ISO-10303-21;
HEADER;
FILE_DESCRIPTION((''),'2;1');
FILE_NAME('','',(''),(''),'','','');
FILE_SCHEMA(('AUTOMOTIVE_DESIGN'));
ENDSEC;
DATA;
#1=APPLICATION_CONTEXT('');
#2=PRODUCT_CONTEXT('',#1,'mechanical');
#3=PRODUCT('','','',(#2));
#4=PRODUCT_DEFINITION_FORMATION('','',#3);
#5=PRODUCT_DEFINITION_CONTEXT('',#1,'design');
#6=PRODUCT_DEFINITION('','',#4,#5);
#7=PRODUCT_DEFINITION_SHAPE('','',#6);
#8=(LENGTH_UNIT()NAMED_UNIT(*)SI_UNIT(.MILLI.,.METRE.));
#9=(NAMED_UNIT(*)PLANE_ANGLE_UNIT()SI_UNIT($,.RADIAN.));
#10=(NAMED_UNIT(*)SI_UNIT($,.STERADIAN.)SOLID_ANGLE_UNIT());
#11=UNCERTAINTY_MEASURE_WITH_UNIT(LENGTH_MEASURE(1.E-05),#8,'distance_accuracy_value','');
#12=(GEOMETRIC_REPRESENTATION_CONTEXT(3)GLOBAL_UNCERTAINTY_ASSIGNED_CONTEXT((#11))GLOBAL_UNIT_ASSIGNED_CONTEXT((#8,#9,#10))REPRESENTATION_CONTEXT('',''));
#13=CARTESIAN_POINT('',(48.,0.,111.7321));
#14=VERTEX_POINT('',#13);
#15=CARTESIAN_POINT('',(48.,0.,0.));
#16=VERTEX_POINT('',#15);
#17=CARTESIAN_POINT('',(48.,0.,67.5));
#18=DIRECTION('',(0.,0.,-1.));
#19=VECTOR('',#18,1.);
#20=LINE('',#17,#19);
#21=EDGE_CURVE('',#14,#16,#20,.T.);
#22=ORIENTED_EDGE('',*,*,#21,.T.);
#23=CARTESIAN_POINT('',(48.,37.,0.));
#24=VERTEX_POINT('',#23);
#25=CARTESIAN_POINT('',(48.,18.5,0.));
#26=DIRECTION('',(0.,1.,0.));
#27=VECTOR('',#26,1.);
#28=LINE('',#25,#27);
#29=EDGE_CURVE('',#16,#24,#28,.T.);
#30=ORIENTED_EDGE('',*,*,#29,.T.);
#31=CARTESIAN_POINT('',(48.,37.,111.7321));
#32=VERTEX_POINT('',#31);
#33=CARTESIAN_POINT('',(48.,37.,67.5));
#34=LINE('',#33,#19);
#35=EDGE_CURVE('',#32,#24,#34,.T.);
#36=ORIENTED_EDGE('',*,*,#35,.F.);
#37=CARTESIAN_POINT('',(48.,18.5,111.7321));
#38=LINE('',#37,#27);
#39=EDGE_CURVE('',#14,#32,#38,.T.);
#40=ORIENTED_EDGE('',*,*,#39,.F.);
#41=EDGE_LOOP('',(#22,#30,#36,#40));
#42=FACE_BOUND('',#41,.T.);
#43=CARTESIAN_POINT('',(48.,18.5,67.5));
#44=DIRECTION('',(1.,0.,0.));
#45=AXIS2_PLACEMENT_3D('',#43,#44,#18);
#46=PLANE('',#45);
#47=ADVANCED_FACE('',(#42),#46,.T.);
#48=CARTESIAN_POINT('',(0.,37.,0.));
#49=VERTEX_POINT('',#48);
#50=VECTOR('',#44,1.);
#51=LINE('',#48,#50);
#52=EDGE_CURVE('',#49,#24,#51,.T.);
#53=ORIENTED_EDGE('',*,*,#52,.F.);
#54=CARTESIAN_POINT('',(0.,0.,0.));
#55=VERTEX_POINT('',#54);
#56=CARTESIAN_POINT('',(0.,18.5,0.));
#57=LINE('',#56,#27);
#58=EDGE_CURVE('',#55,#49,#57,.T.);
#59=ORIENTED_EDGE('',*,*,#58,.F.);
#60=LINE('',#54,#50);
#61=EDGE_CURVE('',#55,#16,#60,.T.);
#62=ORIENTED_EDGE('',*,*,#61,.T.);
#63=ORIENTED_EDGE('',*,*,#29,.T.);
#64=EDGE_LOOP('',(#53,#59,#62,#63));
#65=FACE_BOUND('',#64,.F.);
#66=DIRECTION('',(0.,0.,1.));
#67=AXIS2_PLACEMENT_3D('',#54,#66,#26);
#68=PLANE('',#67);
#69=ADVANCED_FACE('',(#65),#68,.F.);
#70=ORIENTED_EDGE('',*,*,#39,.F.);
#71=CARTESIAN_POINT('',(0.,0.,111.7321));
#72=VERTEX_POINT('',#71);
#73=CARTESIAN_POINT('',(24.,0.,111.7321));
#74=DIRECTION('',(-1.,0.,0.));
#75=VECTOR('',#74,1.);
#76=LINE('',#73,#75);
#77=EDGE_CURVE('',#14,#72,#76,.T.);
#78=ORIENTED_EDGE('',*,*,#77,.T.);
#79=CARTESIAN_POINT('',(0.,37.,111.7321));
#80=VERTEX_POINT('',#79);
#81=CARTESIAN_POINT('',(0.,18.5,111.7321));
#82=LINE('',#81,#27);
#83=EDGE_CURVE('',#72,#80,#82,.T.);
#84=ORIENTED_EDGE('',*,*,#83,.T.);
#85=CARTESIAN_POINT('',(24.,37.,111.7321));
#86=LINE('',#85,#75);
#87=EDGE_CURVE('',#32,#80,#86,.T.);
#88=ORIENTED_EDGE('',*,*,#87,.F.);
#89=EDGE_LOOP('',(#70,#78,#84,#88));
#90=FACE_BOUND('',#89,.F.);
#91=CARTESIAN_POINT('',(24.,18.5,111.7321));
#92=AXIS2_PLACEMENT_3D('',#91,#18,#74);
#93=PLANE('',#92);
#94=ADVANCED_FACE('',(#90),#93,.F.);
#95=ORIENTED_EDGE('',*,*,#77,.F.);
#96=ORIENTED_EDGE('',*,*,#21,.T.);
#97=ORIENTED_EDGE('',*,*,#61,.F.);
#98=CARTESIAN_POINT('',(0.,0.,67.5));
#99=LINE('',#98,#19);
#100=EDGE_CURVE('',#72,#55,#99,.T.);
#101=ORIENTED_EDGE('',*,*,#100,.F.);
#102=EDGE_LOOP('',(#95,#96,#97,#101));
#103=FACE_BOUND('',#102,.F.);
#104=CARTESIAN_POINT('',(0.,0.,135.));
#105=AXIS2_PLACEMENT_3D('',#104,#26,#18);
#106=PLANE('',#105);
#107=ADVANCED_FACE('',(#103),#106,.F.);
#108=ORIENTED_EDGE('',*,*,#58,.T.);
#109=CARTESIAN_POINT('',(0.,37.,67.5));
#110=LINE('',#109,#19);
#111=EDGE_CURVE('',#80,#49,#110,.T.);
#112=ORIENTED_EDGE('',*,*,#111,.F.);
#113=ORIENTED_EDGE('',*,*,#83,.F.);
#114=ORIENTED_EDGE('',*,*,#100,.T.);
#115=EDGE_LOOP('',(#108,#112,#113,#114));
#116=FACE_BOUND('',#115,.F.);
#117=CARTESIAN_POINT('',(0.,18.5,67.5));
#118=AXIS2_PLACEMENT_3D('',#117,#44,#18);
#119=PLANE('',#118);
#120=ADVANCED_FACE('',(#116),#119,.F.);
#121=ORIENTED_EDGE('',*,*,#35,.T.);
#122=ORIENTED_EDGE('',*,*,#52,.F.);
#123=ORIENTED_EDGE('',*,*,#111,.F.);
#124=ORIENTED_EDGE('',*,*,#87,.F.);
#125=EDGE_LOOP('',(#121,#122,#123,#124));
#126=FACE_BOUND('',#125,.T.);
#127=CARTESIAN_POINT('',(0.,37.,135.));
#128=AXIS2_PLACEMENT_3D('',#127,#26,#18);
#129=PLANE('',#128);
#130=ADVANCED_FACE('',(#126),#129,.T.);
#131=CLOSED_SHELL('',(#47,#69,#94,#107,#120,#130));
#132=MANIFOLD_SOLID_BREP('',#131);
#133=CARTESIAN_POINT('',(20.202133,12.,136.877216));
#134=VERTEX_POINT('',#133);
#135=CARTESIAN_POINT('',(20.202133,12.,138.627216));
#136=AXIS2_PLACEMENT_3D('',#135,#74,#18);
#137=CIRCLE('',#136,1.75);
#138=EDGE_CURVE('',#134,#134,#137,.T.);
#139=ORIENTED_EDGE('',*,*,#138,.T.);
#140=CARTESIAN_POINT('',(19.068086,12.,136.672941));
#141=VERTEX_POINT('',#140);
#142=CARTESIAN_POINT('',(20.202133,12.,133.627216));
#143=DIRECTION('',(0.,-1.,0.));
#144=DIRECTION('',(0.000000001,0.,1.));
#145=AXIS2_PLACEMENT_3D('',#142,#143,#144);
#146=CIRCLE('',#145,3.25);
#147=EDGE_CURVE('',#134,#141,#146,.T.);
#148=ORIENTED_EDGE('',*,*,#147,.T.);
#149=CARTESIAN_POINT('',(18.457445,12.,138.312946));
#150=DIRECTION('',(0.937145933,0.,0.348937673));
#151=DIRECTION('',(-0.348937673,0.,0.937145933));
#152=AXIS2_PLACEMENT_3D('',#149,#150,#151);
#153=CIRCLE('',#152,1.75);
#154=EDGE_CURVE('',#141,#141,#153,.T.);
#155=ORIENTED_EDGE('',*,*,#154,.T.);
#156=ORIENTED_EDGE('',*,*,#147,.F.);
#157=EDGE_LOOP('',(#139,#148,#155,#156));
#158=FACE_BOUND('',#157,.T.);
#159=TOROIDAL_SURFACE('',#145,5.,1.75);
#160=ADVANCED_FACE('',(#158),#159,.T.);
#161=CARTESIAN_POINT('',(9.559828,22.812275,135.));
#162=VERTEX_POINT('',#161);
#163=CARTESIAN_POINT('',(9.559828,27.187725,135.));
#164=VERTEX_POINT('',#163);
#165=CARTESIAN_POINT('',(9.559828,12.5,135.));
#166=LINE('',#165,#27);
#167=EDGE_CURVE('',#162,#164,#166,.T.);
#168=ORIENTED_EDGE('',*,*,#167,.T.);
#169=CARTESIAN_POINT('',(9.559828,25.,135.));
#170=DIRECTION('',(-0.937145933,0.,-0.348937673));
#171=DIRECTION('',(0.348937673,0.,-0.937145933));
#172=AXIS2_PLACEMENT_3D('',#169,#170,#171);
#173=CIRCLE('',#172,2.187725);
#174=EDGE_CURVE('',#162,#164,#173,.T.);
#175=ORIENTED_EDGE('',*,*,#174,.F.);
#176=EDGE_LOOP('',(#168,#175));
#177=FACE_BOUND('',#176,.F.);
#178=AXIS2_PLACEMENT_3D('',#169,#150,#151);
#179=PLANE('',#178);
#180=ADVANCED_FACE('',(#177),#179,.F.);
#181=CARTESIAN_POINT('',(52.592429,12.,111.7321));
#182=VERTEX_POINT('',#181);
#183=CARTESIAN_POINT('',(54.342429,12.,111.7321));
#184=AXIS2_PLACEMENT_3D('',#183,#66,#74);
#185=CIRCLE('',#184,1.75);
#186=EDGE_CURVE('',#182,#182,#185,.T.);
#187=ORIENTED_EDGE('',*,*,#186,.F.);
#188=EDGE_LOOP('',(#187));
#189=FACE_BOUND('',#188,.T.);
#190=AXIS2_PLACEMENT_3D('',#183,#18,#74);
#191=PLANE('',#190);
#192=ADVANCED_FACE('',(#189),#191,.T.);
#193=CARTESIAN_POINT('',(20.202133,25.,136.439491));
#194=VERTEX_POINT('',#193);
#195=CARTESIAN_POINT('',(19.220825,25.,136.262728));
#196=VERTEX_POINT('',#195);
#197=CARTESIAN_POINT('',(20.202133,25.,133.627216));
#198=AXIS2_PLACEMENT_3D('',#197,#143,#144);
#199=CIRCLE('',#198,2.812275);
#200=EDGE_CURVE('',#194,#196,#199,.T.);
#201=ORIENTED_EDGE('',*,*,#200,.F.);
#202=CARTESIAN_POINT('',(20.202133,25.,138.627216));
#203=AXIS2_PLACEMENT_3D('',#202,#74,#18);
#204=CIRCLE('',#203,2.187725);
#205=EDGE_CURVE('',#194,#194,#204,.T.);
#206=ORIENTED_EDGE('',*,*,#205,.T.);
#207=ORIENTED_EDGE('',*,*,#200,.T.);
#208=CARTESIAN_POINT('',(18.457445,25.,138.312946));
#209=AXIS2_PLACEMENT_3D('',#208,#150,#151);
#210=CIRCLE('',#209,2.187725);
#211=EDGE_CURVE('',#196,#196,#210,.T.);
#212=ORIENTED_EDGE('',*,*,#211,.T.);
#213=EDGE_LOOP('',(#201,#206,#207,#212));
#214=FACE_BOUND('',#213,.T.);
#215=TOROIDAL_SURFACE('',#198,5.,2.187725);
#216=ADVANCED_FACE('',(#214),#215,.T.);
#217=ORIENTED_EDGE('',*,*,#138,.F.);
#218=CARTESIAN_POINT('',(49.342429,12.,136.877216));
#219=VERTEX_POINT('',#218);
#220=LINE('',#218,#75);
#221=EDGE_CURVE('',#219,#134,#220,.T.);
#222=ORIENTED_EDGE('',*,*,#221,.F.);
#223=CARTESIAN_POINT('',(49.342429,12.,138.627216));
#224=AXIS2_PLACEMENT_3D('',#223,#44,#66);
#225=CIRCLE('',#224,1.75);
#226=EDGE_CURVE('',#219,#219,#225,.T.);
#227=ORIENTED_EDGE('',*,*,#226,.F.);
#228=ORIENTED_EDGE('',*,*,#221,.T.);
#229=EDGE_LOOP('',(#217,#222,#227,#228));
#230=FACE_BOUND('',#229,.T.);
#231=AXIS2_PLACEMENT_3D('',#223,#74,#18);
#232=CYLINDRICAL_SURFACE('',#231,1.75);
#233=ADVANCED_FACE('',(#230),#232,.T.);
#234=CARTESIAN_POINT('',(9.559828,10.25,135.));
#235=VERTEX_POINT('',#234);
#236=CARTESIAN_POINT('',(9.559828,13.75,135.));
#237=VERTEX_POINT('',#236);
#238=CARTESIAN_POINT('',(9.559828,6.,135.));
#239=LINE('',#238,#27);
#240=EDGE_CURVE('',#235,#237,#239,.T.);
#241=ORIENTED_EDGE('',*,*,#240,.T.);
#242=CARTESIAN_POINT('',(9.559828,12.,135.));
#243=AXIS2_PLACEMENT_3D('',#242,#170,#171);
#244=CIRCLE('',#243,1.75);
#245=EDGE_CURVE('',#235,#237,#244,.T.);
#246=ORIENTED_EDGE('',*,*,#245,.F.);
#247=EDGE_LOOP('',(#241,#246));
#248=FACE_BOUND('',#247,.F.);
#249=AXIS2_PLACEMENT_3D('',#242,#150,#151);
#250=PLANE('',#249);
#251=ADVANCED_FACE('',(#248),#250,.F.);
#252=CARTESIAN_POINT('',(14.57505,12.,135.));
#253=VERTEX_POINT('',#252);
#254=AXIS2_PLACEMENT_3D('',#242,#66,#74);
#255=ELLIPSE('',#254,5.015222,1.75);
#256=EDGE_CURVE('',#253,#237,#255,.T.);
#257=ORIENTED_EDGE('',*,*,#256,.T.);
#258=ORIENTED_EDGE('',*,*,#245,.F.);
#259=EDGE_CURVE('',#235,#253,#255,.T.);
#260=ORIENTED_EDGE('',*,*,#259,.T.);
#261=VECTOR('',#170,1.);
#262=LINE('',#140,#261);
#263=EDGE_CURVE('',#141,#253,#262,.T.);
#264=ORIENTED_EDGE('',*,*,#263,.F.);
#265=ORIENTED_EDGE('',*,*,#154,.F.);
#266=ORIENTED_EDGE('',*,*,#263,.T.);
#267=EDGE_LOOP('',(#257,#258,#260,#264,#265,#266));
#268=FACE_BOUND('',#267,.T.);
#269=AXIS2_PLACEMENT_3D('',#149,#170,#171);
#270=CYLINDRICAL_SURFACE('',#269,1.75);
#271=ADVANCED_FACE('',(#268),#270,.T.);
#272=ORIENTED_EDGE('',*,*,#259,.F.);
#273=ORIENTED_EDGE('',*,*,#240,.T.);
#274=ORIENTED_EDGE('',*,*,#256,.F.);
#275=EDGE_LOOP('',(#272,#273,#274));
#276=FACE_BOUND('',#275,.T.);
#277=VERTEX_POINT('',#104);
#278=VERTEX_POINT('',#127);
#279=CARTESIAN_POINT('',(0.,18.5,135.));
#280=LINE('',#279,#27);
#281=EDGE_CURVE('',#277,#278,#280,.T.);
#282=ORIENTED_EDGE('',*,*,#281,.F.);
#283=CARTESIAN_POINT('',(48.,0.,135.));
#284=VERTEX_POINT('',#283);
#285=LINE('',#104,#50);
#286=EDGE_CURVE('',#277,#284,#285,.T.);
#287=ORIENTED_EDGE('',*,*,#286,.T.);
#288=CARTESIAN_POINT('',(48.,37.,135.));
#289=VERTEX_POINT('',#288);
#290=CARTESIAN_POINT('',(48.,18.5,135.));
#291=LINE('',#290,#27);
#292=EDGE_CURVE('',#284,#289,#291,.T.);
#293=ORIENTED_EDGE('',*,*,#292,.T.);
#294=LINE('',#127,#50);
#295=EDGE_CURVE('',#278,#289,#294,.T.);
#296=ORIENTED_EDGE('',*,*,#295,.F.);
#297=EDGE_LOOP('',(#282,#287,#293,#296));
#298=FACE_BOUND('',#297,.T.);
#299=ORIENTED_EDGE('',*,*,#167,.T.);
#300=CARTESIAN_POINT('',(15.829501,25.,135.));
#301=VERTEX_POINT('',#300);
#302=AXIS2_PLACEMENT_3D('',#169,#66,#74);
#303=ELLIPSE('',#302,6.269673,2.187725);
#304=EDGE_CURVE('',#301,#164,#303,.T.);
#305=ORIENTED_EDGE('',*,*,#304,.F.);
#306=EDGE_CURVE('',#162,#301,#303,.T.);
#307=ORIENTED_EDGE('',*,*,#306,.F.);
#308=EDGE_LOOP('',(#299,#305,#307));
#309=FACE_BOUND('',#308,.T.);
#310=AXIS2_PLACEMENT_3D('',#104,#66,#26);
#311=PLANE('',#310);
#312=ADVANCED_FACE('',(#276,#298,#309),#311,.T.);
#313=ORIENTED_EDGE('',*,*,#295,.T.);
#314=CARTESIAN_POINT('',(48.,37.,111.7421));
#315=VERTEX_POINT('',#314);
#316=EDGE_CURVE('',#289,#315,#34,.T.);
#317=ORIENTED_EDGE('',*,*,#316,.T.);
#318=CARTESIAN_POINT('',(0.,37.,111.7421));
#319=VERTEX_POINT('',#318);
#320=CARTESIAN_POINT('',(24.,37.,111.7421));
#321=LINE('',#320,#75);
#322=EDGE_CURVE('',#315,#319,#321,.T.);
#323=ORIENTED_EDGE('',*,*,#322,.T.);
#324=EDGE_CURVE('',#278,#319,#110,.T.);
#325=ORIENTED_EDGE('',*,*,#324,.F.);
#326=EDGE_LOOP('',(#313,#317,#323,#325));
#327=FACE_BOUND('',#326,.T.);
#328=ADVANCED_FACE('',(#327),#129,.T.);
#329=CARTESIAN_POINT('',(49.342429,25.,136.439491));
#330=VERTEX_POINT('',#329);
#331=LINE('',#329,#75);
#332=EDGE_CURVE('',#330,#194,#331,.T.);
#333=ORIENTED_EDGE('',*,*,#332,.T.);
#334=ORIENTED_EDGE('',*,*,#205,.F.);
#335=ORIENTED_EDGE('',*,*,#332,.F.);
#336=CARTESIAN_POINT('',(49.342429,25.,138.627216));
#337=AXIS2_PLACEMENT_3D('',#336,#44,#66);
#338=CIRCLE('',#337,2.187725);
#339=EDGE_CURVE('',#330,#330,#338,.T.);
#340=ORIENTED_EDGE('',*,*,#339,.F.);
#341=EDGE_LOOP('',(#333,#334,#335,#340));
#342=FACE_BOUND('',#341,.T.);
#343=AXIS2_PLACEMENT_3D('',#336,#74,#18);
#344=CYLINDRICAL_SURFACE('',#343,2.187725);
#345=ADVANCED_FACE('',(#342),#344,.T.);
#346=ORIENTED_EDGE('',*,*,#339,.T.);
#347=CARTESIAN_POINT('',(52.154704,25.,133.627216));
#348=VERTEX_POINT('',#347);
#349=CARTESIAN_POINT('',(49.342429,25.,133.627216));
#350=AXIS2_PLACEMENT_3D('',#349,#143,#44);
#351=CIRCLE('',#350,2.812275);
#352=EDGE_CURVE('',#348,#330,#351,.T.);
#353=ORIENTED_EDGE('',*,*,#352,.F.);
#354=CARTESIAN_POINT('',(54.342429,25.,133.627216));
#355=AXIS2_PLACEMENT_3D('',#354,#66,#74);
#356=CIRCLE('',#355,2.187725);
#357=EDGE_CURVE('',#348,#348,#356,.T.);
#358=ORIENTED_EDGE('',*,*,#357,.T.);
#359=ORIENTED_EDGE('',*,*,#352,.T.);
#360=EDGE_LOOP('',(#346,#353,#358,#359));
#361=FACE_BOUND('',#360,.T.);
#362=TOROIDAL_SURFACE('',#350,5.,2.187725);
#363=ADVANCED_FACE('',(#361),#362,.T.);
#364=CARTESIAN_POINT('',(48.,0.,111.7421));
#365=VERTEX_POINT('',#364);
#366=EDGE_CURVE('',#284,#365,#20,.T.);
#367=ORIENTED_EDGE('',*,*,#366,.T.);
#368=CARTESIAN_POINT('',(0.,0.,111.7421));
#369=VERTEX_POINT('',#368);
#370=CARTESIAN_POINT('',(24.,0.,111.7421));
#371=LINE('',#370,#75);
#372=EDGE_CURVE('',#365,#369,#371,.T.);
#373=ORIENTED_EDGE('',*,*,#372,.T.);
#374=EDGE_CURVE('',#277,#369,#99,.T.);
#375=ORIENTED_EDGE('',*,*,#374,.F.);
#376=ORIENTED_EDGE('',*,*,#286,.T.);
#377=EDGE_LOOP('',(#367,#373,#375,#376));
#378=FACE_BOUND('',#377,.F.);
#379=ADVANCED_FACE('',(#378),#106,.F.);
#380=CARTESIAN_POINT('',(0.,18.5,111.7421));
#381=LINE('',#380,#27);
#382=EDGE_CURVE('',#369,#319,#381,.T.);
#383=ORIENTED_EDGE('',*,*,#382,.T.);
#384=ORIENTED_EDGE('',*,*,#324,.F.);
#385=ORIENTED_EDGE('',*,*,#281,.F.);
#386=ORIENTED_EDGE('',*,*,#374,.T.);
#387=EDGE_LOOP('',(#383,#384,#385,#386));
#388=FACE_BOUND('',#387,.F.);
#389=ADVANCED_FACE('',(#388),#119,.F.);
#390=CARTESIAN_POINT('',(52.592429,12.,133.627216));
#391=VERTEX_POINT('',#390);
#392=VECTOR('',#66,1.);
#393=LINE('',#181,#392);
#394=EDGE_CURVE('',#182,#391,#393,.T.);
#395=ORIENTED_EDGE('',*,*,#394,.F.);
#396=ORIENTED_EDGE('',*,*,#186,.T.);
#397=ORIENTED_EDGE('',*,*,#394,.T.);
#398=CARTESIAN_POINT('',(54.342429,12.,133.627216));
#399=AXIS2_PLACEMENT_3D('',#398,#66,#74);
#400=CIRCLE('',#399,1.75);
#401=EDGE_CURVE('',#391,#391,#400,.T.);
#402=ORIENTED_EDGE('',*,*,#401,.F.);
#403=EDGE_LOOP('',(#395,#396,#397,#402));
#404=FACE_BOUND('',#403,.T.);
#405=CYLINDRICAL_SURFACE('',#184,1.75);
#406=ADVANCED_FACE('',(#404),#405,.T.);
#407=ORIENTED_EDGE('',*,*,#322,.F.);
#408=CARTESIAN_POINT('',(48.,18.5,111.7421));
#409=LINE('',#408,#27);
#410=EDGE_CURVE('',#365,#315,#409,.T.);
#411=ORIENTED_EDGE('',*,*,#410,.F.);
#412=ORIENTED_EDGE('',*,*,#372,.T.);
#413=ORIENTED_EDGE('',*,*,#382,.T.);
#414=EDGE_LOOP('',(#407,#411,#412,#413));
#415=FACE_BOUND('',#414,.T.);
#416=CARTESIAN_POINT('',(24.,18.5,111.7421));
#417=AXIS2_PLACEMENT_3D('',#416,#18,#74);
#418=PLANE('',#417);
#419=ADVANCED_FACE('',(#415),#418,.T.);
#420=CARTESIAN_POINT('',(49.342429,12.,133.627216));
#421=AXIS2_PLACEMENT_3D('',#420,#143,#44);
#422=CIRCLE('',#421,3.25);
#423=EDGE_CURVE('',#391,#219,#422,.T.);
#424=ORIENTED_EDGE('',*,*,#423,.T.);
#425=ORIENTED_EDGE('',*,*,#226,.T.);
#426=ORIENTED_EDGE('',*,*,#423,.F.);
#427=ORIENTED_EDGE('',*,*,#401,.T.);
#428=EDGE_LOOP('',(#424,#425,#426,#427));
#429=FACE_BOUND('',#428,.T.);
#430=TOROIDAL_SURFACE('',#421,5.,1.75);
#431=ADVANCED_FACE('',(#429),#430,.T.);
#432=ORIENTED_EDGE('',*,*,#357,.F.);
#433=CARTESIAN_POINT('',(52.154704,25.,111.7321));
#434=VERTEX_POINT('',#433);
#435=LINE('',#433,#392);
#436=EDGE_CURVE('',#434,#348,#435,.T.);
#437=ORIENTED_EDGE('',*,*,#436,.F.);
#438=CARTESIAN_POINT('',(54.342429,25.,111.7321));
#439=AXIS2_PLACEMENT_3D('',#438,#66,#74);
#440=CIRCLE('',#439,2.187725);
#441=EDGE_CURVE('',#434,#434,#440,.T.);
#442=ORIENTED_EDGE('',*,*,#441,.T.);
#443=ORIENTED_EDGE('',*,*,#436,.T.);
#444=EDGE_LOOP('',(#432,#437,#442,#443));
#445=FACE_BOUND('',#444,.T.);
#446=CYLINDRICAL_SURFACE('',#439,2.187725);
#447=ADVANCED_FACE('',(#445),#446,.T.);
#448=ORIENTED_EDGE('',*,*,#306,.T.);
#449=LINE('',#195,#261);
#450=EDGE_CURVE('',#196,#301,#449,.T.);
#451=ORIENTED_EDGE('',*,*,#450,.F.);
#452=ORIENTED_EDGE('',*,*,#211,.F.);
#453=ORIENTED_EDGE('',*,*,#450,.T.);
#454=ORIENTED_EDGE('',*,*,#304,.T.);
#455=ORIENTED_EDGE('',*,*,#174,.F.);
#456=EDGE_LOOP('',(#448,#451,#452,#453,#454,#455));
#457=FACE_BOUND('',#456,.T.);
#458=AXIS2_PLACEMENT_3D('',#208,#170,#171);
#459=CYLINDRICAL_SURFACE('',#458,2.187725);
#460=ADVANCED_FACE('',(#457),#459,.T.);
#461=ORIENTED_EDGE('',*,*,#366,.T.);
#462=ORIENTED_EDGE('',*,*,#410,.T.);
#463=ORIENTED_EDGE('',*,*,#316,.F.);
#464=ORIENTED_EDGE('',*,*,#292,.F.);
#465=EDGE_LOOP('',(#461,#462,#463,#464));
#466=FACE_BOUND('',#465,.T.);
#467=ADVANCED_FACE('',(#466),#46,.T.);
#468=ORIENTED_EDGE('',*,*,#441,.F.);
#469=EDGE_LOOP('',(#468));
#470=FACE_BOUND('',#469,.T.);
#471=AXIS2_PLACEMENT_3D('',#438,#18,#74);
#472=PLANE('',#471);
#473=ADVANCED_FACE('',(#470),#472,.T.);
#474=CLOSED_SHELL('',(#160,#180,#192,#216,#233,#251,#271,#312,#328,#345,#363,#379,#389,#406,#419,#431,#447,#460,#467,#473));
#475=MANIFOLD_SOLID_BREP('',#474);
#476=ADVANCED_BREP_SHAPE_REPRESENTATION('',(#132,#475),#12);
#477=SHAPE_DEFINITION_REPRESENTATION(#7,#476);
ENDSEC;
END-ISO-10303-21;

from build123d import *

# Parameters (mm, degrees)
ESQUISSE1_W             = 135
ESQUISSE1_H             = 37
BOSS_EXTRU_1_DEPTH      = 48
ESQUISSE3_R             = 1.75
ESQUISSE3_R_2           = 2.187725201
ESQUISSE4_W             = 48
ESQUISSE4_H             = 37
ENL_V_MAT_EXTRU_1_DEPTH = 0.01


with BuildPart() as part:
    # Esquisse1 → Boss.-Extru.1 (new body)
    with BuildSketch(Plane(origin=(0, 0, 0), x_dir=(0, 0, -1), z_dir=(1, 0, 0))):
        with Locations((-67.5, 18.5)):
            Rectangle(ESQUISSE1_W, ESQUISSE1_H)
    extrude(amount=BOSS_EXTRU_1_DEPTH)

    # Balayage1: sweep along a path in Esquisse2
    with BuildLine(Plane(origin=(0, 12, 0), x_dir=(-1, 0, 0), z_dir=(0, -1, 0))) as balayage1_path:
        Line((-54.342429432, -111.732100004), (-54.342429432, -133.627216376))
        ThreePointArc((-54.342429432, -133.627216376), (-52.877963338, -137.162750282), (-49.342429432, -138.627216376))
        Line((-49.342429432, -138.627216376), (-20.202133269, -138.627216376))
        ThreePointArc((-20.202133269, -138.627216376), (-19.315749698, -138.548021612), (-18.457444903, -138.312946043))
        Line((-18.457444903, -138.312946043), (-9.559827507, -135))
    # Esquisse3 → Balayage1 (sweep)
    with BuildSketch(Plane(origin=(0, 0, 111.732100004), x_dir=(-1, 0, 0), z_dir=(0, 0, -1))):
        with Locations((-54.342429432, 12)):
            Circle(ESQUISSE3_R)
        with Locations((-54.342429432, 25)):
            Circle(ESQUISSE3_R_2)
    sweep(path=balayage1_path.line)

    # Esquisse4 → Enlèv. mat.-Extru.1 (cut)
    with BuildSketch(Plane(origin=(0, 0, 111.732100004), x_dir=(-1, 0, 0), z_dir=(0, 0, -1))):
        with Locations((-24, 18.5)):
            Rectangle(ESQUISSE4_W, ESQUISSE4_H)
    extrude(amount=-ENL_V_MAT_EXTRU_1_DEPTH, mode=Mode.SUBTRACT)


solid = part.part
